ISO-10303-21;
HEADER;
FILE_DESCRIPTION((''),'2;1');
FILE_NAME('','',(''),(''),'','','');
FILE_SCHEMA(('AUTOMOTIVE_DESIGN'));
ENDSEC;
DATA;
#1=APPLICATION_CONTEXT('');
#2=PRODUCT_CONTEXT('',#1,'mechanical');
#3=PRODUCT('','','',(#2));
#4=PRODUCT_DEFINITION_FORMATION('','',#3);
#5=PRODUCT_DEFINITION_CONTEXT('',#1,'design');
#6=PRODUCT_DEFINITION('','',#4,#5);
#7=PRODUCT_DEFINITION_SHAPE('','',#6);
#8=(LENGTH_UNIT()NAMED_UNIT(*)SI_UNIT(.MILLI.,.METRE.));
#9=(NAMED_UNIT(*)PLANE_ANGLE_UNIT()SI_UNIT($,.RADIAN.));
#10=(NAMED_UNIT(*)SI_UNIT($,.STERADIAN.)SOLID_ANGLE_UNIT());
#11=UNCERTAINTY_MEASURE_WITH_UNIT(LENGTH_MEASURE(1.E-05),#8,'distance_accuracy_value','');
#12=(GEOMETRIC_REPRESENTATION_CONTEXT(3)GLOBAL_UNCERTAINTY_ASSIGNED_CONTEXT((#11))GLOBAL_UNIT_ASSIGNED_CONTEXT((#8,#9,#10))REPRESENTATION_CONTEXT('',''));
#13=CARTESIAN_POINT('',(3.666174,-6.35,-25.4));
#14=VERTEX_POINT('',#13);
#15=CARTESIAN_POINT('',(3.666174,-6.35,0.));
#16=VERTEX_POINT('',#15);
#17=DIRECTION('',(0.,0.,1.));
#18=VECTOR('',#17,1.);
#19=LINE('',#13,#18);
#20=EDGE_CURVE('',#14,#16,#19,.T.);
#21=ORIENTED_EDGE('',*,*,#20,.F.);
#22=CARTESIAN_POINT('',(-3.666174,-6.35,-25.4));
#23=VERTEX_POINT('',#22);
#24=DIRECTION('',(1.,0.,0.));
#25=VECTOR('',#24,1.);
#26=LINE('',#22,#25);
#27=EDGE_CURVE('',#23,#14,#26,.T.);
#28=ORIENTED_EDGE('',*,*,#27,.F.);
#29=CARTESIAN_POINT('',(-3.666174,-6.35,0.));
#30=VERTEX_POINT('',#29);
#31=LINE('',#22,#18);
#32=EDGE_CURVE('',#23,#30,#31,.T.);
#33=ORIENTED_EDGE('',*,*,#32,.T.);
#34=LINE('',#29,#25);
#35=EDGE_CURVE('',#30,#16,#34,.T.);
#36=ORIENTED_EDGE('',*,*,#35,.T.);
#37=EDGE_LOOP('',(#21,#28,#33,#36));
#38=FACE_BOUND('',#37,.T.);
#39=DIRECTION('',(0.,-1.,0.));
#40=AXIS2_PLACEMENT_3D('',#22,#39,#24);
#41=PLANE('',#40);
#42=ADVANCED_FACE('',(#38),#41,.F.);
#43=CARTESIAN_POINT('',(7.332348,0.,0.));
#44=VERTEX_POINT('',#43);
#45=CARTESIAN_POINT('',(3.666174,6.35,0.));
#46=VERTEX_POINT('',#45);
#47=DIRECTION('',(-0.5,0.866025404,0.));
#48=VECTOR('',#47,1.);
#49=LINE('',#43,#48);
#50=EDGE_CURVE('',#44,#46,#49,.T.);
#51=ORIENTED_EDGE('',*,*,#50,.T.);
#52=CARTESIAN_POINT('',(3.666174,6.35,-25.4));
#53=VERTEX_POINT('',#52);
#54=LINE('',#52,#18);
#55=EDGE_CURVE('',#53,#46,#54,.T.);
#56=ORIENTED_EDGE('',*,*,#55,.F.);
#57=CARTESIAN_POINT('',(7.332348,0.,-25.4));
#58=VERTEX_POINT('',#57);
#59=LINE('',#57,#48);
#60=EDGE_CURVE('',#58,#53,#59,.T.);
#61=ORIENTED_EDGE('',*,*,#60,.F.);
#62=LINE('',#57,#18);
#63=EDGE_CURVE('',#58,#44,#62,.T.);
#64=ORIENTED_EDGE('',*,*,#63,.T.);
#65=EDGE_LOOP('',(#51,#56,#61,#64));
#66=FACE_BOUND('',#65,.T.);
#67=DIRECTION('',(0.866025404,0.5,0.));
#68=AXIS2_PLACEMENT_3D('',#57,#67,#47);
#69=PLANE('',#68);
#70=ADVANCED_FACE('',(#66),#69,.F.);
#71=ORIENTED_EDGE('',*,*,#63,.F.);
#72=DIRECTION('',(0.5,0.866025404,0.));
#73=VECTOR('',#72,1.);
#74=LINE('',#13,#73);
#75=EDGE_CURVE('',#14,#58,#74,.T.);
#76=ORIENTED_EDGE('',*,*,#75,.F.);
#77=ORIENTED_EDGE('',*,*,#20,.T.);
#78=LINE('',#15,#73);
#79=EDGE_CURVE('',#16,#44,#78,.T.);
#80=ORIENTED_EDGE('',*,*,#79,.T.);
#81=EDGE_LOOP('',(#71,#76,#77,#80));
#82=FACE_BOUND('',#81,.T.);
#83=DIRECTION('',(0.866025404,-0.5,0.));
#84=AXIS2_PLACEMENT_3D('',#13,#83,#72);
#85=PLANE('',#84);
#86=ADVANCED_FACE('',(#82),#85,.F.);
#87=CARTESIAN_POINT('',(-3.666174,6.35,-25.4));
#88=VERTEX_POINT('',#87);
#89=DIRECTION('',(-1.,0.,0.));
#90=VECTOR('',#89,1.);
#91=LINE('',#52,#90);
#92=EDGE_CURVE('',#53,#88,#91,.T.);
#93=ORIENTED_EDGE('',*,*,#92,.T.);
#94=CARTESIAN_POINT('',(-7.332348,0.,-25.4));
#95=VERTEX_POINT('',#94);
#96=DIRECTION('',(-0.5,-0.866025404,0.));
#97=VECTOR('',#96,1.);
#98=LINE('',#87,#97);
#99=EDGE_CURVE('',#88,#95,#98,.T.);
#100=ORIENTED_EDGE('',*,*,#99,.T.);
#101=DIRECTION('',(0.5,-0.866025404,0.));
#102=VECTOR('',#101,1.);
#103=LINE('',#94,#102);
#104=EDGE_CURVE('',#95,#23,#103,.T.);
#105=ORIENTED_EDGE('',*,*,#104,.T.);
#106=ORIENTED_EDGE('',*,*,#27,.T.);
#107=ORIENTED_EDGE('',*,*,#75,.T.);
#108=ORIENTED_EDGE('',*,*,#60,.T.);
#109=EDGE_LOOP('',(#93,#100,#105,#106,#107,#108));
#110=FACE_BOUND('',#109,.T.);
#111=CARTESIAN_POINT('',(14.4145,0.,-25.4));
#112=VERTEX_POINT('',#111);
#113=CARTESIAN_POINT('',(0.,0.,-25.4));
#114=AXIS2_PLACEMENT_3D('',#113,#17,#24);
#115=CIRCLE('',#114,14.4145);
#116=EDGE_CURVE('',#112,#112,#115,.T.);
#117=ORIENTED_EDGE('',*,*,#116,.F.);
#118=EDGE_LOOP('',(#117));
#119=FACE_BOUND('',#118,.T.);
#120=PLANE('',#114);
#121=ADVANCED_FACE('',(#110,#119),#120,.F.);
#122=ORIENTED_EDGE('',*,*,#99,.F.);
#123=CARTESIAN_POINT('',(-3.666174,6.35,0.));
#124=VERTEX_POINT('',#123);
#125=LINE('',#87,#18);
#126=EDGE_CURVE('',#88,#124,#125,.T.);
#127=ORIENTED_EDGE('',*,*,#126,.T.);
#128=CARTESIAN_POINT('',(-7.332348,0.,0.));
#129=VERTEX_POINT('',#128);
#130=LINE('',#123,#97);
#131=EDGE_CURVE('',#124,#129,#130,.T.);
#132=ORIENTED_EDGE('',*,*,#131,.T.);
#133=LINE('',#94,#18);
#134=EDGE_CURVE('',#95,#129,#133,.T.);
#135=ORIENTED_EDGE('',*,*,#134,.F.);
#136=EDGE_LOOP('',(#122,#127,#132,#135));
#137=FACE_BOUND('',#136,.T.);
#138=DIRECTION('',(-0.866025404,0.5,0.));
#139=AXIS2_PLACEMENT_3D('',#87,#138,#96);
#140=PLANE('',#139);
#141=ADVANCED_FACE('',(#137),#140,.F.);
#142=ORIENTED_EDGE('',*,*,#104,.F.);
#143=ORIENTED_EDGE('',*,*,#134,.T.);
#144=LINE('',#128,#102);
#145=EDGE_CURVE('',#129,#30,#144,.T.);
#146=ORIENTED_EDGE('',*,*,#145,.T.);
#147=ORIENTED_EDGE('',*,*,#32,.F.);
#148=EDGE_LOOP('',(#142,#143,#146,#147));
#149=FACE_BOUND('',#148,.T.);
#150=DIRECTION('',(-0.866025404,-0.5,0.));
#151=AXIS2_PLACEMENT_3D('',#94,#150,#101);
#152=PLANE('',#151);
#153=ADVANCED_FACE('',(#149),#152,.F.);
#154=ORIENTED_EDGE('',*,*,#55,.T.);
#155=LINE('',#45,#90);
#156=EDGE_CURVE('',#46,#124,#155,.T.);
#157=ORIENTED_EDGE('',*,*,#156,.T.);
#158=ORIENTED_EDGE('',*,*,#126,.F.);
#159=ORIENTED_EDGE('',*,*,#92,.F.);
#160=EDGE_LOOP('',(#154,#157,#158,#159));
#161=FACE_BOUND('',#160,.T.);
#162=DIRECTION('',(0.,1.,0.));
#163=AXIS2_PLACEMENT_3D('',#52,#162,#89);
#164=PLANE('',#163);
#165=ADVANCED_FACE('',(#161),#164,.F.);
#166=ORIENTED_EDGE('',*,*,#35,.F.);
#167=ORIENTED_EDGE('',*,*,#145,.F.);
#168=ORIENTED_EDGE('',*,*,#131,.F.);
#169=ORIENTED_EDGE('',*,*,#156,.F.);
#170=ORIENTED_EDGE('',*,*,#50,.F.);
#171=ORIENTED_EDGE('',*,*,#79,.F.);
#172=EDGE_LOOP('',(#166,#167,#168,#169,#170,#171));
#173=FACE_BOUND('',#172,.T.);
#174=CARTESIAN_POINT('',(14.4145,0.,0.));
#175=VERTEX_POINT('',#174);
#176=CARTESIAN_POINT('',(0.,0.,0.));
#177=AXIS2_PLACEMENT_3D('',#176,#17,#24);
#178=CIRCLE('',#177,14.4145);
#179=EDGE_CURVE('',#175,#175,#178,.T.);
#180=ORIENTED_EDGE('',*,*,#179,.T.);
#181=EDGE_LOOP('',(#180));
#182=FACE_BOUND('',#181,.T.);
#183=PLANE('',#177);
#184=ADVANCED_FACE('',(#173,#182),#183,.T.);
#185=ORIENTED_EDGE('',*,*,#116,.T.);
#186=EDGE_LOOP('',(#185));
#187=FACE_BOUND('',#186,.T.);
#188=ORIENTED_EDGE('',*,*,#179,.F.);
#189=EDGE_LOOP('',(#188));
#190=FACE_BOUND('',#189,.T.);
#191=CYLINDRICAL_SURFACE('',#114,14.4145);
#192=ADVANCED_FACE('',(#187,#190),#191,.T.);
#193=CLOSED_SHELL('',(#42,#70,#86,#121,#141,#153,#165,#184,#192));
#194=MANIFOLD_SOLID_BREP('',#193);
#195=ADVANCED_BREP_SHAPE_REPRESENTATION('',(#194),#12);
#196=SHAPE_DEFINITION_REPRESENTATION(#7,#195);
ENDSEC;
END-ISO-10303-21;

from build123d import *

# Parameters (mm, degrees)
SKETCH2_R           = 14.4145
BOSS_EXTRUDE1_DEPTH = 25.4


with BuildPart() as part:
    # Sketch2 → Boss-Extrude1 (new body)
    with BuildSketch(Plane.XY):
        Circle(SKETCH2_R)
        Polygon((-3.666174209, 6.35), (-7.332348419, 0), (-3.666174209, -6.35), (3.666174209, -6.35), (7.332348419, 0), (3.666174209, 6.35), align=None, mode=Mode.SUBTRACT)
    extrude(amount=-BOSS_EXTRUDE1_DEPTH)


solid = part.part
